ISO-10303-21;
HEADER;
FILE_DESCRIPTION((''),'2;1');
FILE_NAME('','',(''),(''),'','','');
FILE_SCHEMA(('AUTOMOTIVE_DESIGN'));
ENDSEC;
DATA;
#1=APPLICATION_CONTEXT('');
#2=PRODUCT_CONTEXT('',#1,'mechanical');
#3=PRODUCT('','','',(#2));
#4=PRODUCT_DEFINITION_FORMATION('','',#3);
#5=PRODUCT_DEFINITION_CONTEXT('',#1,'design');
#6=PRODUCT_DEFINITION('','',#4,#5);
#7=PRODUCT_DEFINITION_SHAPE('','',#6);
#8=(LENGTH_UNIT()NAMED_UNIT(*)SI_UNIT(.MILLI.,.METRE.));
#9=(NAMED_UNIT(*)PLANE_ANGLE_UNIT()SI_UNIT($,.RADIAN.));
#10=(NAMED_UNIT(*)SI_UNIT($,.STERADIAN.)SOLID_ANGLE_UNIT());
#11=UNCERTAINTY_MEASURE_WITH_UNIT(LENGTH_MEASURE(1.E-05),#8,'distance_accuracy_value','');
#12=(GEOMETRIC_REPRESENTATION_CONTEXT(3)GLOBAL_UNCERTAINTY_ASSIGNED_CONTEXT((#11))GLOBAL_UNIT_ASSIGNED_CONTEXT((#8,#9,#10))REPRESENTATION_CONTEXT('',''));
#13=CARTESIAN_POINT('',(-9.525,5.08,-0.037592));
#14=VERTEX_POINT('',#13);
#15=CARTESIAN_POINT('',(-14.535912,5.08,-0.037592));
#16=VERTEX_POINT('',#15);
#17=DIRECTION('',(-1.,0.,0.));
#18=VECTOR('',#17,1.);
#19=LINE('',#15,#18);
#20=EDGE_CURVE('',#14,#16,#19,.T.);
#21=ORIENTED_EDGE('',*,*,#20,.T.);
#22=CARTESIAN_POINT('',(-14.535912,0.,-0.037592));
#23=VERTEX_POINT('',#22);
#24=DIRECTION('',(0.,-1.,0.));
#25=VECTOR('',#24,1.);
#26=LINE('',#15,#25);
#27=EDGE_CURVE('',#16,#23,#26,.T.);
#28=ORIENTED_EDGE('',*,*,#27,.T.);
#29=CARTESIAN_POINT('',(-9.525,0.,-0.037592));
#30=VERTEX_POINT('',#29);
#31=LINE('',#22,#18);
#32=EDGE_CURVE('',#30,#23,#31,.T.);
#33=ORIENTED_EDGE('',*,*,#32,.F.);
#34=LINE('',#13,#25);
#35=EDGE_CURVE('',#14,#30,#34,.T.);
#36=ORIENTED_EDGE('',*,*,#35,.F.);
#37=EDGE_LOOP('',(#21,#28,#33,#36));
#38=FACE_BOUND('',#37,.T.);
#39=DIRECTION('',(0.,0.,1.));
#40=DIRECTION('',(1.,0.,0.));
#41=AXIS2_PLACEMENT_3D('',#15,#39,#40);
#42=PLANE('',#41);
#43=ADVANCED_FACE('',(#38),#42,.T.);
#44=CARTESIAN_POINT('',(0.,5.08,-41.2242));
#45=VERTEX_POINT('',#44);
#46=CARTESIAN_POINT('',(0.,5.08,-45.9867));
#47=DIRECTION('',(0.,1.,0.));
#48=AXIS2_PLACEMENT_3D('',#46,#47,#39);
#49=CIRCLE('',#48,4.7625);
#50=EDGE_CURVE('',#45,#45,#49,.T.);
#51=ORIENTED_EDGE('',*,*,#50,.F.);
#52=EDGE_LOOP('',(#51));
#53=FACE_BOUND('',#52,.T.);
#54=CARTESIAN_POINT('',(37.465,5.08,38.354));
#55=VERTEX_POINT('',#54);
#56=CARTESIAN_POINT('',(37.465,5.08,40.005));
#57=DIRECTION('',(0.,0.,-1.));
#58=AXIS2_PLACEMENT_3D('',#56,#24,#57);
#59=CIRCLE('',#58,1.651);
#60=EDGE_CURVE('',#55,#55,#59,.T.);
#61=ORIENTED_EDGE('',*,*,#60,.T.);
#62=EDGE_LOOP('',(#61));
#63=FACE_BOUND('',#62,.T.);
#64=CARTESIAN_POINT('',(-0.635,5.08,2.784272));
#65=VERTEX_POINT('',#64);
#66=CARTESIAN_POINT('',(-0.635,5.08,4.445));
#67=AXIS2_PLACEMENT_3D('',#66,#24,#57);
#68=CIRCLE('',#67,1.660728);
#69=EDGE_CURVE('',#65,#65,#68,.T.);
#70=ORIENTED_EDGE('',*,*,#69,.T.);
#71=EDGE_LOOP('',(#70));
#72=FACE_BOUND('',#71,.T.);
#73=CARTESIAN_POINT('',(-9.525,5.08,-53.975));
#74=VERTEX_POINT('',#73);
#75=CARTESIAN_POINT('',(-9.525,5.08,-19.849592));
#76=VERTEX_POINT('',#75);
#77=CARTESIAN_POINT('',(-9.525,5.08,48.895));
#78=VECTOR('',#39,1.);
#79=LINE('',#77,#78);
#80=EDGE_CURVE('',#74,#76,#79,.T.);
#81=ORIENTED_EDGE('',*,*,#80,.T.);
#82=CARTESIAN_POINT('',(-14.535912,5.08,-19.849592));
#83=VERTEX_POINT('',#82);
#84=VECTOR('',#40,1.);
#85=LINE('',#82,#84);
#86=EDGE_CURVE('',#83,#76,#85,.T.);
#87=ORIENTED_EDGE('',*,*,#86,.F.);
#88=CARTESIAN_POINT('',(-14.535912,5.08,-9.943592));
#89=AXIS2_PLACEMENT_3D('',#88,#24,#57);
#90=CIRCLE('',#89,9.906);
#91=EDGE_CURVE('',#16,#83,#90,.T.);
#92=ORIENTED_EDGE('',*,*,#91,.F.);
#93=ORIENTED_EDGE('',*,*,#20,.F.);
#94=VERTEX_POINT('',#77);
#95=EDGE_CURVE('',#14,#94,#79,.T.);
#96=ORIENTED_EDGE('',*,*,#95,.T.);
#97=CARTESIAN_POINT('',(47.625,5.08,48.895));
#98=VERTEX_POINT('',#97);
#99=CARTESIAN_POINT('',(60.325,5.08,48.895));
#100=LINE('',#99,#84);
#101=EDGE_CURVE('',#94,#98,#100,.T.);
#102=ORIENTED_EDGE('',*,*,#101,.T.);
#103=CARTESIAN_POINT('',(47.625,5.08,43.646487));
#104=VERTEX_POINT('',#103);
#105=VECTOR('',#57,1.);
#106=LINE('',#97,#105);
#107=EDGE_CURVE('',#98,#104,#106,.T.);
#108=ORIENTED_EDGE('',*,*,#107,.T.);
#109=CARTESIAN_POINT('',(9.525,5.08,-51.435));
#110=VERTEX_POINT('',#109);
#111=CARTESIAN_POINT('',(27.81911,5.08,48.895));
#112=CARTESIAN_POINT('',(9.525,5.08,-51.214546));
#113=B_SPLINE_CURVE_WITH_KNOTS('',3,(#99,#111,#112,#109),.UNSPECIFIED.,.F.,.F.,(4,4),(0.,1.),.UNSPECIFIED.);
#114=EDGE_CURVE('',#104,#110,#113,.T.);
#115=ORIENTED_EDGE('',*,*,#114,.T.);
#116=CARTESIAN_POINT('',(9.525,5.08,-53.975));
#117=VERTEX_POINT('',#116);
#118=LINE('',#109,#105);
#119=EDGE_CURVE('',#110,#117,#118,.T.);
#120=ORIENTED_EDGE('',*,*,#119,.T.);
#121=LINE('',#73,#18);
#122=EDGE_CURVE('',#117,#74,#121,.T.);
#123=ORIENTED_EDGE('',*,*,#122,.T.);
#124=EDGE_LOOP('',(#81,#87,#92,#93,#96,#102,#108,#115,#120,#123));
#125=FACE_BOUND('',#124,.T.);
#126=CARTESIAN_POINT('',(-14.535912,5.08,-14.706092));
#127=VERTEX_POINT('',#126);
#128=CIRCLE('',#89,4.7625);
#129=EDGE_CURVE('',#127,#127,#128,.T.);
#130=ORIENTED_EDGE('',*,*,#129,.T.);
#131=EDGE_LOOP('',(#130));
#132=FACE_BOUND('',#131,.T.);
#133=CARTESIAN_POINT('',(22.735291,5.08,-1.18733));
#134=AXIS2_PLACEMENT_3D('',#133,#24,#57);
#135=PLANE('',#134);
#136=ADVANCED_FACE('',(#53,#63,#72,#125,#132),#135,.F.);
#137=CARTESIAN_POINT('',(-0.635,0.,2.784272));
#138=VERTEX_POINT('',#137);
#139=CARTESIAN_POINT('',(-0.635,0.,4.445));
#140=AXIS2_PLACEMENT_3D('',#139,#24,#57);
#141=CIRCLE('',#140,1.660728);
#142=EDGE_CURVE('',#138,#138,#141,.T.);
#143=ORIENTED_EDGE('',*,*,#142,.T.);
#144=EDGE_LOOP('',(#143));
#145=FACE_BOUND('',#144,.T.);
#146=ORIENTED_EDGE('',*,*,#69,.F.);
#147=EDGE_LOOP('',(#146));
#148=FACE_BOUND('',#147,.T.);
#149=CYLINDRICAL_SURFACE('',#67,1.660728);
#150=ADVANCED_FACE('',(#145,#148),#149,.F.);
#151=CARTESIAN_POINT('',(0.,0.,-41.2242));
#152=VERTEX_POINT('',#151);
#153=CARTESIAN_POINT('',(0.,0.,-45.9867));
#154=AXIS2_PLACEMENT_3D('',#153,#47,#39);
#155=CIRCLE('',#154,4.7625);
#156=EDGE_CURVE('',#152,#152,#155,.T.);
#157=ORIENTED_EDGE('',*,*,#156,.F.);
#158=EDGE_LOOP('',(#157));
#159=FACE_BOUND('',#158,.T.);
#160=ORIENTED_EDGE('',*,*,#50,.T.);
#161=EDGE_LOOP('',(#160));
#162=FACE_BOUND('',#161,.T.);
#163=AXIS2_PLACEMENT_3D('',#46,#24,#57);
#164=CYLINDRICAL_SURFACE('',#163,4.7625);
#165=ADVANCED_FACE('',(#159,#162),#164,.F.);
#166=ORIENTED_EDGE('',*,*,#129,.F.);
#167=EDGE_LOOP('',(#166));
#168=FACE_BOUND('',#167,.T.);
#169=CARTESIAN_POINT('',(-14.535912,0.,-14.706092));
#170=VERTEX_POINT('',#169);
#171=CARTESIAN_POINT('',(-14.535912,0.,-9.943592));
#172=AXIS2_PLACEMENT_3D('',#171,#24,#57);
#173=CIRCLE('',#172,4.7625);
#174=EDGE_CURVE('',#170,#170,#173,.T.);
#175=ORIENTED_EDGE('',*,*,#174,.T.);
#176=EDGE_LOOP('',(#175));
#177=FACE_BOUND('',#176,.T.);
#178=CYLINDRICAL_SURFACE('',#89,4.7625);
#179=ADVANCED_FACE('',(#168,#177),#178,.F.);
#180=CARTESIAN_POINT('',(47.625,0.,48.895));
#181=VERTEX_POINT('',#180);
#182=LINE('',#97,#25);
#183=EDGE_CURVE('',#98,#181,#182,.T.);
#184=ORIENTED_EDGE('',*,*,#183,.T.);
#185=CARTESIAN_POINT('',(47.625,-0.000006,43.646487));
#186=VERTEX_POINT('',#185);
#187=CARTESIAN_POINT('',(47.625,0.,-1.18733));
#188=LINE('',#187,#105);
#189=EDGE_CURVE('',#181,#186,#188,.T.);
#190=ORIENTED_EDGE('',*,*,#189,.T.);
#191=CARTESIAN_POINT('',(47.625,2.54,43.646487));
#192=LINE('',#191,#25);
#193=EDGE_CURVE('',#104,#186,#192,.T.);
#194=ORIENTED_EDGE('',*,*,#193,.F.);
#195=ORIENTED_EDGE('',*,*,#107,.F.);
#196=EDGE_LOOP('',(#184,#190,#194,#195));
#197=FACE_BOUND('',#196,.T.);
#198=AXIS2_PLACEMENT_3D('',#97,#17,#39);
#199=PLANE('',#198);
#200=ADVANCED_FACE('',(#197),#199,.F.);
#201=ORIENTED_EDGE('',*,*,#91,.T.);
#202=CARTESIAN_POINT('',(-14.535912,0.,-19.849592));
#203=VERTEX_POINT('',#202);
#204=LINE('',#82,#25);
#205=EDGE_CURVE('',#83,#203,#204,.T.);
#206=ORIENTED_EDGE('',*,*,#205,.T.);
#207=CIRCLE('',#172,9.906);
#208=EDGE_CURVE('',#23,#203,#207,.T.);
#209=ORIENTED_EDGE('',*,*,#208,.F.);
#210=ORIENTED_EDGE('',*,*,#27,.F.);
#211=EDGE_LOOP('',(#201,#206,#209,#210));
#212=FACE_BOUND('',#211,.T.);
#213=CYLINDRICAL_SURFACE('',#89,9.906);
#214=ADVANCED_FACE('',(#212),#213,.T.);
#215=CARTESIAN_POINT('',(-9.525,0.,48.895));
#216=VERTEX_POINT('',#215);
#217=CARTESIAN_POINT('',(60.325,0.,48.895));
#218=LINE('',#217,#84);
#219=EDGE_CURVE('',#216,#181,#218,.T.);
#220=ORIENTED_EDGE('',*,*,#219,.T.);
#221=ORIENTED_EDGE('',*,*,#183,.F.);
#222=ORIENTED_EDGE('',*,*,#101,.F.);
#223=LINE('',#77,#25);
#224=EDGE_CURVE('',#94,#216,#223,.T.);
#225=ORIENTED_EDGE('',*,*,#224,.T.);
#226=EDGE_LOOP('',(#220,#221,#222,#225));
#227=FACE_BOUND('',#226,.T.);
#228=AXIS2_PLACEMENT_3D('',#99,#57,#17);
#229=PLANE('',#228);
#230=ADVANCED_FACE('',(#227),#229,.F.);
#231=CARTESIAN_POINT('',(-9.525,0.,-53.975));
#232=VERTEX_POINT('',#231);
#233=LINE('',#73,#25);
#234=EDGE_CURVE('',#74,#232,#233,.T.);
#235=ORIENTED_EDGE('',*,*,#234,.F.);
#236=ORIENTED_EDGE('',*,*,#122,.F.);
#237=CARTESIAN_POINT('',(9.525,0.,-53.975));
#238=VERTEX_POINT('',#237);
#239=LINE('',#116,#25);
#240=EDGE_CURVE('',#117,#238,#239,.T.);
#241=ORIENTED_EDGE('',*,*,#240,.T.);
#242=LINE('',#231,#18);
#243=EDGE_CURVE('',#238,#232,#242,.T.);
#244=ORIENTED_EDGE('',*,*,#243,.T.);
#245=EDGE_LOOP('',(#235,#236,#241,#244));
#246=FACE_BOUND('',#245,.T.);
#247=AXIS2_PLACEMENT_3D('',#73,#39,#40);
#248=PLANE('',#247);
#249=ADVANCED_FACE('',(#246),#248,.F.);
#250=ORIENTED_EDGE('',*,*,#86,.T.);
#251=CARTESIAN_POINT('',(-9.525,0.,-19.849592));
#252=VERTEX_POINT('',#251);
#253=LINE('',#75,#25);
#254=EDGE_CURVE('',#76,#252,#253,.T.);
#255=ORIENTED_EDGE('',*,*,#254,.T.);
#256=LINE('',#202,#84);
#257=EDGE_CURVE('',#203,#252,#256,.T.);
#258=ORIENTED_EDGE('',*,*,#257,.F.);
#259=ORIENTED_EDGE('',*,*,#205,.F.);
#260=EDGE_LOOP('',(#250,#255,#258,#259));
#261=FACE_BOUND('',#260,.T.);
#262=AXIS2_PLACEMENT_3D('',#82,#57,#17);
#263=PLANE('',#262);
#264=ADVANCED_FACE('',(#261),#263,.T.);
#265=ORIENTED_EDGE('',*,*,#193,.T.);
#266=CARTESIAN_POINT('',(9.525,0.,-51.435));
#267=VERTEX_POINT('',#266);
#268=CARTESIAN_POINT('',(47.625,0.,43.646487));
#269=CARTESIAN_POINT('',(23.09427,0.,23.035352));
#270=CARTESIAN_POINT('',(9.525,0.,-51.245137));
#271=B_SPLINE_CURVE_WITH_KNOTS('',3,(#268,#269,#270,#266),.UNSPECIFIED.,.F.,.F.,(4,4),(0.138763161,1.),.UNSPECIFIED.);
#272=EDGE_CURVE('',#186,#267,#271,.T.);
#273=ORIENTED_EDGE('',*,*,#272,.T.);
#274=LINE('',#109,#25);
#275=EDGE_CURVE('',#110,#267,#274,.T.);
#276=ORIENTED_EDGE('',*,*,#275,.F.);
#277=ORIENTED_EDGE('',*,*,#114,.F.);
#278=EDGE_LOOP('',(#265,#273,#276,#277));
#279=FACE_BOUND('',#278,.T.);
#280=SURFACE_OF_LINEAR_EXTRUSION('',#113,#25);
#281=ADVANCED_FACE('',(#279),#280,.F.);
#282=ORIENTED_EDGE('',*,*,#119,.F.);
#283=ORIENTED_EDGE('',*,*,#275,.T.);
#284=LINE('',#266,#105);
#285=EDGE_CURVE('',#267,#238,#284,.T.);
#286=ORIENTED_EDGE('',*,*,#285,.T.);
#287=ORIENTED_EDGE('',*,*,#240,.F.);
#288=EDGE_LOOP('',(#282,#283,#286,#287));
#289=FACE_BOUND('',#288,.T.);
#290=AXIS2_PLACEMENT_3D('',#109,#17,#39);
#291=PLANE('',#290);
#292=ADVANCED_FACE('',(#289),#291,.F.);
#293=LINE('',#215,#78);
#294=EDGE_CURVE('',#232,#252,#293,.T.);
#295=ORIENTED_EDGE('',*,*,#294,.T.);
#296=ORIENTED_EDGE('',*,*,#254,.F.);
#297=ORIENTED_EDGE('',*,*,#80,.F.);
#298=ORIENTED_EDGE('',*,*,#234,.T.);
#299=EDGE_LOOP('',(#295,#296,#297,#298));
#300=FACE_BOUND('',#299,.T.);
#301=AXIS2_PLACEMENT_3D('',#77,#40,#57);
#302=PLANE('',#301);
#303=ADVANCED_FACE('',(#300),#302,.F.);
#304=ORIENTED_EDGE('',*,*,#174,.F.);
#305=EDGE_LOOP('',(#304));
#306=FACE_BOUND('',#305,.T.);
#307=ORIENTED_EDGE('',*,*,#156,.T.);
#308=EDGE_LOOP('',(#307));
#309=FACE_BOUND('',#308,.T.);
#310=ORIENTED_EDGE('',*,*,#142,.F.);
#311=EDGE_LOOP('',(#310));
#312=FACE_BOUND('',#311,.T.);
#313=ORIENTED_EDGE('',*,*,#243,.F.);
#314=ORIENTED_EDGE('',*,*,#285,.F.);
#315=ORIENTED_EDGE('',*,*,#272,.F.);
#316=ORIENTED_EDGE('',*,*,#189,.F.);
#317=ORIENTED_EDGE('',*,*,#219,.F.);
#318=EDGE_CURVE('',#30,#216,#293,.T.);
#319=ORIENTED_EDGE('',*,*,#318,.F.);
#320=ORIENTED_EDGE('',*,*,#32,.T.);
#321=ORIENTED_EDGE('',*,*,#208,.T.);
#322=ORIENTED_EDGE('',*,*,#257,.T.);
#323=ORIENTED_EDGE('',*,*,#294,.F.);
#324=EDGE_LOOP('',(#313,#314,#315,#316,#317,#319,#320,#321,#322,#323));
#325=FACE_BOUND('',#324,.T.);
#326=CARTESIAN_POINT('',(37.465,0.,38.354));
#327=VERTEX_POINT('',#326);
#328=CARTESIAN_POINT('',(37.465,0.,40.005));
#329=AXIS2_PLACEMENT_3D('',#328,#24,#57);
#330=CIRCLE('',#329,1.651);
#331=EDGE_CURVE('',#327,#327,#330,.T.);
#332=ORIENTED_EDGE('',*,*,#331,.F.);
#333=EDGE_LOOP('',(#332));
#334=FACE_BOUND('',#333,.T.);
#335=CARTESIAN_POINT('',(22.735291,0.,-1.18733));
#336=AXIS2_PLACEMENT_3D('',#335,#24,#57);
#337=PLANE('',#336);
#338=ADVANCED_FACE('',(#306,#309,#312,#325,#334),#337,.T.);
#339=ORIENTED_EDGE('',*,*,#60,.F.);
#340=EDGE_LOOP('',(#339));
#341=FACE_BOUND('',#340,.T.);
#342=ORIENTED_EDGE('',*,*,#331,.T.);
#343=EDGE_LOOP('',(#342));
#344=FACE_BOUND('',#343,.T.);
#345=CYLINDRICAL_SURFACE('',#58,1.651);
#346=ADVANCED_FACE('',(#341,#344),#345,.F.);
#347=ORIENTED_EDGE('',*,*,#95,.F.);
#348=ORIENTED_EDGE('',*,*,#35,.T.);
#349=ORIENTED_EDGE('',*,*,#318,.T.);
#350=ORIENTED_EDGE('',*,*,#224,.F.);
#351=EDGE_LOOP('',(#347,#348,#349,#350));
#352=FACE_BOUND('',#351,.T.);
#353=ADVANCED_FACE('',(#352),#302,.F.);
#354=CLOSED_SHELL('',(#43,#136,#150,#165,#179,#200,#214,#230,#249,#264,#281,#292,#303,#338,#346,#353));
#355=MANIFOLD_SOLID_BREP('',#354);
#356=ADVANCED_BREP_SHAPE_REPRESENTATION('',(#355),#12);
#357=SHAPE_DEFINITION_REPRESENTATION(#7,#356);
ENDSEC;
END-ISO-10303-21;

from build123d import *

# Parameters (mm, degrees)
SKETCH1_R               = 4.7625
BOSS_EXTRUDE1_DEPTH     = 5.08
SKETCH4_W               = 19.05
SKETCH4_H               = 5.08
BOSS_EXTRUDE2_DEPTH     = 5.08
SKETCH5_R               = 1.660728382
SKETCH5_R_2             = 1.651
CUT_EXTRUDE1_DEPTH      = 1.0000001
CUT_EXTRUDE1_DEPTH_BACK = 6.0800001
SKETCH6_R               = 4.7625
BOSS_EXTRUDE3_DEPTH     = 5.08
CUT_EXTRUDE2_DEPTH      = 1.0000001
CUT_EXTRUDE2_DEPTH_BACK = 6.0800001


with BuildPart() as part:
    # Sketch1 → Boss-Extrude1 (new body)
    with BuildSketch(Plane(origin=(0, 0, 0), x_dir=(1, 0, 0), z_dir=(0, 1, 0))):
        with BuildLine():
            Line((-9.525, 53.975), (9.525, 53.975))
            Line((9.525, 53.975), (9.525, 51.435))
            add(Edge.make_bspline(
                [(9.525, 51.435), (9.525, 51.21454564), (27.819109584, -48.895), (60.325, -48.895)],
                knots=[0, 0, 0, 0, 1, 1, 1, 1], degree=3))
            Line((60.325, -48.895), (-9.525, -48.895))
            Line((-9.525, -48.895), (-9.525, 53.975))
        make_face()
        with Locations((0, 45.9867)):
            Circle(SKETCH1_R, mode=Mode.SUBTRACT)
    extrude(amount=BOSS_EXTRUDE1_DEPTH)

    # Sketch4 → Boss-Extrude2 (add)
    with BuildSketch(Plane(origin=(0, 5.08, 0), x_dir=(1, 0, 0), z_dir=(0, 1, 0))):
        with Locations((50.8, -51.435)):
            Rectangle(SKETCH4_W, SKETCH4_H)
    extrude(amount=-BOSS_EXTRUDE2_DEPTH)

    # Sketch5 → Cut-Extrude1 (cut, two sides)
    with BuildSketch(Plane.XZ) as cut_extrude1_sk:
        with Locations((-0.635, 4.445)):
            Circle(SKETCH5_R)
        with Locations((37.465, 40.005)):
            Circle(SKETCH5_R_2)
    extrude(amount=CUT_EXTRUDE1_DEPTH, mode=Mode.SUBTRACT)
    extrude(cut_extrude1_sk.sketch, amount=-CUT_EXTRUDE1_DEPTH_BACK, mode=Mode.SUBTRACT)

    # Sketch6 → Boss-Extrude3 (add)
    with BuildSketch(Plane.XZ):
        with BuildLine():
            Line((-14.535912, -0.037592), (-9.525, -0.037592))
            Line((-9.525, -0.037592), (-9.525, -1.398441508))
            ThreePointArc((-9.525, -1.398441508), (-4.629912, -9.943592), (-9.525, -18.488742492))
            Line((-9.525, -18.488742492), (-9.525, -19.849592))
            Line((-9.525, -19.849592), (-14.535912, -19.849592))
            ThreePointArc((-14.535912, -19.849592), (-24.441912, -9.943592), (-14.535912, -0.037592))
        make_face()
        with Locations((-14.535912, -9.943592)):
            Circle(SKETCH6_R, mode=Mode.SUBTRACT)
    extrude(amount=-BOSS_EXTRUDE3_DEPTH)

    # Sketch9 → Cut-Extrude2 (cut, two sides)
    with BuildSketch(Plane.XZ) as cut_extrude2_sk:
        with BuildLine():
            Line((60.325, 53.975), (60.325, 48.895))
            add(Edge.make_bspline(
                [(60.325, 48.895), (55.814379896, 48.895), (51.577410685, 46.967369191), (47.625, 43.646486826)],
                knots=[0, 0, 0, 0, 0.138763161, 0.138763161, 0.138763161, 0.138763161], degree=3))
            Line((47.625, 43.646486826), (47.625, 48.895))
            Line((47.625, 48.895), (41.275, 48.895))
            Line((41.275, 48.895), (41.275, 53.975))
            Line((41.275, 53.975), (60.325, 53.975))
        make_face()
    extrude(amount=CUT_EXTRUDE2_DEPTH, mode=Mode.SUBTRACT)
    extrude(cut_extrude2_sk.sketch, amount=-CUT_EXTRUDE2_DEPTH_BACK, mode=Mode.SUBTRACT)


solid = part.part
